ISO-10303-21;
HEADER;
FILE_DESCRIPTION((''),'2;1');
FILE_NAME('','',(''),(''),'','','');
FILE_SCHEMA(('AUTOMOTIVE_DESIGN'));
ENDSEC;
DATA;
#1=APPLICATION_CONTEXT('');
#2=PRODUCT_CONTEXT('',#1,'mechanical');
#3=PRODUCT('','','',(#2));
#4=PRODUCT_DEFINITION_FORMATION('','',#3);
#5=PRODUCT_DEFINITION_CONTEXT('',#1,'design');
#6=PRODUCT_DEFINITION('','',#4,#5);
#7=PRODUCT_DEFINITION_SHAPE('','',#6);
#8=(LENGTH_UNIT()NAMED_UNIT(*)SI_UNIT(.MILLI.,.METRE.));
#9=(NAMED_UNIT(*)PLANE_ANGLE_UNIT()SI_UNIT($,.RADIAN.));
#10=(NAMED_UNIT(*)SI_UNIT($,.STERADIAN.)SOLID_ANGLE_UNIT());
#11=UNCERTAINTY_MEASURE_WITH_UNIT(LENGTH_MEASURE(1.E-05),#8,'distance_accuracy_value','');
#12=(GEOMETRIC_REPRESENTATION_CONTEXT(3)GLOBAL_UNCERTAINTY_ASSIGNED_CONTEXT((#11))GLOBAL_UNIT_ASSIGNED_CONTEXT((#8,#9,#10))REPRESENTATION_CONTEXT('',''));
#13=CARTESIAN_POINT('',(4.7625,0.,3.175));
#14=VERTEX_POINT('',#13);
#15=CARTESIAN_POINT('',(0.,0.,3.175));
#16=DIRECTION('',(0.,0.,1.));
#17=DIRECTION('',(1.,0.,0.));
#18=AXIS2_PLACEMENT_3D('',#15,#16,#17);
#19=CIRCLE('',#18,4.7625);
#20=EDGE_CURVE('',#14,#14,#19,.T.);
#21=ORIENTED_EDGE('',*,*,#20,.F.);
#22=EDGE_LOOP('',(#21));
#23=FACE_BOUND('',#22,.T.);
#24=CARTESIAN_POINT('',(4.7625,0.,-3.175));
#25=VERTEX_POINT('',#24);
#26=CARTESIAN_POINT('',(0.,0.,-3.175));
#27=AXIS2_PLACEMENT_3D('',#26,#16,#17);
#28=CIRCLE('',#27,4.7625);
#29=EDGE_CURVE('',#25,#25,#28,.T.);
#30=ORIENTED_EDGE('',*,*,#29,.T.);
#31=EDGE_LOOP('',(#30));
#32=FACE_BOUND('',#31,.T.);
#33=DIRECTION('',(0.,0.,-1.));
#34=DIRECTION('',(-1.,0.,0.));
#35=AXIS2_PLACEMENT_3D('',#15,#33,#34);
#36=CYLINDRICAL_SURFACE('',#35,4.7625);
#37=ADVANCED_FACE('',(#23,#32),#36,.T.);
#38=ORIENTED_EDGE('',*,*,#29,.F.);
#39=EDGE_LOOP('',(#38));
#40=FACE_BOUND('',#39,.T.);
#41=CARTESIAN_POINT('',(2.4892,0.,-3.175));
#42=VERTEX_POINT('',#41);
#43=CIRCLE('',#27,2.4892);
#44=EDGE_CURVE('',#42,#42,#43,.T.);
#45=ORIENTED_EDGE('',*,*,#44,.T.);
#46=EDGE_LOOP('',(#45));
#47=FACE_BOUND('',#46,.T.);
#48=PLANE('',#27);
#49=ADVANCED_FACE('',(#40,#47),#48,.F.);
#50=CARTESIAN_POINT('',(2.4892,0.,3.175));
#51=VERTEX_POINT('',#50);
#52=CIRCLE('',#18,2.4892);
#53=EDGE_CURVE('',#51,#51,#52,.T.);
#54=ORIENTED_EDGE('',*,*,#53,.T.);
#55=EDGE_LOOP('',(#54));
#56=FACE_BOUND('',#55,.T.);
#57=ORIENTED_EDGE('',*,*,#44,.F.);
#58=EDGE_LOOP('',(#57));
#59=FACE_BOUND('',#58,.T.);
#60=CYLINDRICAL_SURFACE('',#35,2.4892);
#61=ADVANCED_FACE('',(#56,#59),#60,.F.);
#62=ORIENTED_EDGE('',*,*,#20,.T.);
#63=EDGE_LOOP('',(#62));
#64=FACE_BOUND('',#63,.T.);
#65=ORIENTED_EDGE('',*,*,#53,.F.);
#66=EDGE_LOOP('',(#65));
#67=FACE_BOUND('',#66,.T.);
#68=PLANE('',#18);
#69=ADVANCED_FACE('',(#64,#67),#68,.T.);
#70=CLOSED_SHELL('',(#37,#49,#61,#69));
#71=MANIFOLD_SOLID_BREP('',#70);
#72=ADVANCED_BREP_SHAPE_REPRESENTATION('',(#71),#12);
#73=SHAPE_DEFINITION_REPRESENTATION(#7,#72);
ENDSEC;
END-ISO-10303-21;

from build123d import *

# Parameters (mm, degrees)
SKETCH1_R           = 4.7625
SKETCH1_R_2         = 2.4892
BOSS_EXTRUDE1_DEPTH = 3.175


with BuildPart() as part:
    # Sketch1 → Boss-Extrude1 (new body, symmetric)
    with BuildSketch(Plane.XY):
        Circle(SKETCH1_R)
        Circle(SKETCH1_R_2, mode=Mode.SUBTRACT)
    extrude(amount=BOSS_EXTRUDE1_DEPTH, both=True)


solid = part.part
